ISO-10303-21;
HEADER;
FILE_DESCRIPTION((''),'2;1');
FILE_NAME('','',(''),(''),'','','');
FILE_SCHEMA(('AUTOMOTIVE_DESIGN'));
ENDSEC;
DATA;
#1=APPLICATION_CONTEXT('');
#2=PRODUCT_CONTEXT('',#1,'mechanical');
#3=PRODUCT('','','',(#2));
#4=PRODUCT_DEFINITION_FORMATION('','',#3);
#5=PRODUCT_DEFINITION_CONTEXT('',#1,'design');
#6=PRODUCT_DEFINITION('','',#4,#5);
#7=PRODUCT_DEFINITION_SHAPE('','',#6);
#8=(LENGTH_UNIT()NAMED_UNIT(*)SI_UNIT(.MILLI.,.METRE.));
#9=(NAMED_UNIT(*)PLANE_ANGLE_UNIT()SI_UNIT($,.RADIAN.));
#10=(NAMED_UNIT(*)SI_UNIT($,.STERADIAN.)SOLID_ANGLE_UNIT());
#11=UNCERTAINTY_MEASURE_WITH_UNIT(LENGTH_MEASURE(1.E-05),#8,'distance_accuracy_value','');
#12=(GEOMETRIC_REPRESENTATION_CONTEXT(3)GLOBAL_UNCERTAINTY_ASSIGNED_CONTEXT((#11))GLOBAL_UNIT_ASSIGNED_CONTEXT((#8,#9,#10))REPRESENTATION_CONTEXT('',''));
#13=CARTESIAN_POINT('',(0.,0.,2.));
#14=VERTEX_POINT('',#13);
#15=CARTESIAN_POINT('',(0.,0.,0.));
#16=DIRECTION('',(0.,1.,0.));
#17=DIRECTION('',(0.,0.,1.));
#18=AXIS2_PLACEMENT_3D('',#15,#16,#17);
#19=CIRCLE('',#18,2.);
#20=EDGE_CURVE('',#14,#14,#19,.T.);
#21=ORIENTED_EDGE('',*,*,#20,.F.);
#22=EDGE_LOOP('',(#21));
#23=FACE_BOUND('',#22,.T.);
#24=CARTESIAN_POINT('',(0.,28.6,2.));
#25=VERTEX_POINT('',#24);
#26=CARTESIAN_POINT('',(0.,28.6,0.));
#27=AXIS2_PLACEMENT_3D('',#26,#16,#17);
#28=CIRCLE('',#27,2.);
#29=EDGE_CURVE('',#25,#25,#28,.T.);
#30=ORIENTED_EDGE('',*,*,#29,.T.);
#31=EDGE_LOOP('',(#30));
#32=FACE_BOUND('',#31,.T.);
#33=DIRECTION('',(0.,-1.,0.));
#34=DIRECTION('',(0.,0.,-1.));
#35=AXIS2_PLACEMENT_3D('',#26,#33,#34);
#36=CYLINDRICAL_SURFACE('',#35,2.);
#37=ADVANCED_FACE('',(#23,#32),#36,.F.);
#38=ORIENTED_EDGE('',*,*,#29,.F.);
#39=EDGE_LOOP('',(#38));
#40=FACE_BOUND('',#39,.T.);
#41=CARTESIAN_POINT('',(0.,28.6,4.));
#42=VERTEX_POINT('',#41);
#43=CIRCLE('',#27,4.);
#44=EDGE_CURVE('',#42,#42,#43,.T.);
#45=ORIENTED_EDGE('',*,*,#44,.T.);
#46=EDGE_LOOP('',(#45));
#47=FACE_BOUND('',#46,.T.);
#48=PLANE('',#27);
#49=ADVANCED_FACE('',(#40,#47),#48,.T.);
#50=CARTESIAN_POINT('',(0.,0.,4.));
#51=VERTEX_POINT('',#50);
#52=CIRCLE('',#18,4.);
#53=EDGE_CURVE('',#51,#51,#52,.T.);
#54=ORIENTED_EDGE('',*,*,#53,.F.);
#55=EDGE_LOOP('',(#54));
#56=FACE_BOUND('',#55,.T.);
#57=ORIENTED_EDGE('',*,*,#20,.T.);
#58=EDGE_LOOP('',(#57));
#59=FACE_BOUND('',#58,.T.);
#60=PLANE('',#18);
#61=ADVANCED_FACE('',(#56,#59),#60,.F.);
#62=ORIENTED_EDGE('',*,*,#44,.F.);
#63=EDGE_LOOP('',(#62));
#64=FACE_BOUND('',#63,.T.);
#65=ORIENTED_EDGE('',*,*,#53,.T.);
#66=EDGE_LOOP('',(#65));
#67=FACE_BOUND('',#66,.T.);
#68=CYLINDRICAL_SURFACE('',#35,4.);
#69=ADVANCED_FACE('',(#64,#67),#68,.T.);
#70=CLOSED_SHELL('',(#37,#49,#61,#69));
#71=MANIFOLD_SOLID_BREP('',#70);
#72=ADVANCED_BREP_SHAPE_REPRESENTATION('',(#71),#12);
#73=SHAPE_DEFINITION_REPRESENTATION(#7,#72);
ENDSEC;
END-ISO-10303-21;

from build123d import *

# Parameters (mm, degrees)
SKETCH1_R           = 4
SKETCH1_R_2         = 2
BOSS_EXTRUDE1_DEPTH = 28.6


with BuildPart() as part:
    # Sketch1 → Boss-Extrude1 (new body)
    with BuildSketch(Plane(origin=(0, 0, 0), x_dir=(1, 0, 0), z_dir=(0, 1, 0))):
        Circle(SKETCH1_R)
        Circle(SKETCH1_R_2, mode=Mode.SUBTRACT)
    extrude(amount=BOSS_EXTRUDE1_DEPTH)


solid = part.part
